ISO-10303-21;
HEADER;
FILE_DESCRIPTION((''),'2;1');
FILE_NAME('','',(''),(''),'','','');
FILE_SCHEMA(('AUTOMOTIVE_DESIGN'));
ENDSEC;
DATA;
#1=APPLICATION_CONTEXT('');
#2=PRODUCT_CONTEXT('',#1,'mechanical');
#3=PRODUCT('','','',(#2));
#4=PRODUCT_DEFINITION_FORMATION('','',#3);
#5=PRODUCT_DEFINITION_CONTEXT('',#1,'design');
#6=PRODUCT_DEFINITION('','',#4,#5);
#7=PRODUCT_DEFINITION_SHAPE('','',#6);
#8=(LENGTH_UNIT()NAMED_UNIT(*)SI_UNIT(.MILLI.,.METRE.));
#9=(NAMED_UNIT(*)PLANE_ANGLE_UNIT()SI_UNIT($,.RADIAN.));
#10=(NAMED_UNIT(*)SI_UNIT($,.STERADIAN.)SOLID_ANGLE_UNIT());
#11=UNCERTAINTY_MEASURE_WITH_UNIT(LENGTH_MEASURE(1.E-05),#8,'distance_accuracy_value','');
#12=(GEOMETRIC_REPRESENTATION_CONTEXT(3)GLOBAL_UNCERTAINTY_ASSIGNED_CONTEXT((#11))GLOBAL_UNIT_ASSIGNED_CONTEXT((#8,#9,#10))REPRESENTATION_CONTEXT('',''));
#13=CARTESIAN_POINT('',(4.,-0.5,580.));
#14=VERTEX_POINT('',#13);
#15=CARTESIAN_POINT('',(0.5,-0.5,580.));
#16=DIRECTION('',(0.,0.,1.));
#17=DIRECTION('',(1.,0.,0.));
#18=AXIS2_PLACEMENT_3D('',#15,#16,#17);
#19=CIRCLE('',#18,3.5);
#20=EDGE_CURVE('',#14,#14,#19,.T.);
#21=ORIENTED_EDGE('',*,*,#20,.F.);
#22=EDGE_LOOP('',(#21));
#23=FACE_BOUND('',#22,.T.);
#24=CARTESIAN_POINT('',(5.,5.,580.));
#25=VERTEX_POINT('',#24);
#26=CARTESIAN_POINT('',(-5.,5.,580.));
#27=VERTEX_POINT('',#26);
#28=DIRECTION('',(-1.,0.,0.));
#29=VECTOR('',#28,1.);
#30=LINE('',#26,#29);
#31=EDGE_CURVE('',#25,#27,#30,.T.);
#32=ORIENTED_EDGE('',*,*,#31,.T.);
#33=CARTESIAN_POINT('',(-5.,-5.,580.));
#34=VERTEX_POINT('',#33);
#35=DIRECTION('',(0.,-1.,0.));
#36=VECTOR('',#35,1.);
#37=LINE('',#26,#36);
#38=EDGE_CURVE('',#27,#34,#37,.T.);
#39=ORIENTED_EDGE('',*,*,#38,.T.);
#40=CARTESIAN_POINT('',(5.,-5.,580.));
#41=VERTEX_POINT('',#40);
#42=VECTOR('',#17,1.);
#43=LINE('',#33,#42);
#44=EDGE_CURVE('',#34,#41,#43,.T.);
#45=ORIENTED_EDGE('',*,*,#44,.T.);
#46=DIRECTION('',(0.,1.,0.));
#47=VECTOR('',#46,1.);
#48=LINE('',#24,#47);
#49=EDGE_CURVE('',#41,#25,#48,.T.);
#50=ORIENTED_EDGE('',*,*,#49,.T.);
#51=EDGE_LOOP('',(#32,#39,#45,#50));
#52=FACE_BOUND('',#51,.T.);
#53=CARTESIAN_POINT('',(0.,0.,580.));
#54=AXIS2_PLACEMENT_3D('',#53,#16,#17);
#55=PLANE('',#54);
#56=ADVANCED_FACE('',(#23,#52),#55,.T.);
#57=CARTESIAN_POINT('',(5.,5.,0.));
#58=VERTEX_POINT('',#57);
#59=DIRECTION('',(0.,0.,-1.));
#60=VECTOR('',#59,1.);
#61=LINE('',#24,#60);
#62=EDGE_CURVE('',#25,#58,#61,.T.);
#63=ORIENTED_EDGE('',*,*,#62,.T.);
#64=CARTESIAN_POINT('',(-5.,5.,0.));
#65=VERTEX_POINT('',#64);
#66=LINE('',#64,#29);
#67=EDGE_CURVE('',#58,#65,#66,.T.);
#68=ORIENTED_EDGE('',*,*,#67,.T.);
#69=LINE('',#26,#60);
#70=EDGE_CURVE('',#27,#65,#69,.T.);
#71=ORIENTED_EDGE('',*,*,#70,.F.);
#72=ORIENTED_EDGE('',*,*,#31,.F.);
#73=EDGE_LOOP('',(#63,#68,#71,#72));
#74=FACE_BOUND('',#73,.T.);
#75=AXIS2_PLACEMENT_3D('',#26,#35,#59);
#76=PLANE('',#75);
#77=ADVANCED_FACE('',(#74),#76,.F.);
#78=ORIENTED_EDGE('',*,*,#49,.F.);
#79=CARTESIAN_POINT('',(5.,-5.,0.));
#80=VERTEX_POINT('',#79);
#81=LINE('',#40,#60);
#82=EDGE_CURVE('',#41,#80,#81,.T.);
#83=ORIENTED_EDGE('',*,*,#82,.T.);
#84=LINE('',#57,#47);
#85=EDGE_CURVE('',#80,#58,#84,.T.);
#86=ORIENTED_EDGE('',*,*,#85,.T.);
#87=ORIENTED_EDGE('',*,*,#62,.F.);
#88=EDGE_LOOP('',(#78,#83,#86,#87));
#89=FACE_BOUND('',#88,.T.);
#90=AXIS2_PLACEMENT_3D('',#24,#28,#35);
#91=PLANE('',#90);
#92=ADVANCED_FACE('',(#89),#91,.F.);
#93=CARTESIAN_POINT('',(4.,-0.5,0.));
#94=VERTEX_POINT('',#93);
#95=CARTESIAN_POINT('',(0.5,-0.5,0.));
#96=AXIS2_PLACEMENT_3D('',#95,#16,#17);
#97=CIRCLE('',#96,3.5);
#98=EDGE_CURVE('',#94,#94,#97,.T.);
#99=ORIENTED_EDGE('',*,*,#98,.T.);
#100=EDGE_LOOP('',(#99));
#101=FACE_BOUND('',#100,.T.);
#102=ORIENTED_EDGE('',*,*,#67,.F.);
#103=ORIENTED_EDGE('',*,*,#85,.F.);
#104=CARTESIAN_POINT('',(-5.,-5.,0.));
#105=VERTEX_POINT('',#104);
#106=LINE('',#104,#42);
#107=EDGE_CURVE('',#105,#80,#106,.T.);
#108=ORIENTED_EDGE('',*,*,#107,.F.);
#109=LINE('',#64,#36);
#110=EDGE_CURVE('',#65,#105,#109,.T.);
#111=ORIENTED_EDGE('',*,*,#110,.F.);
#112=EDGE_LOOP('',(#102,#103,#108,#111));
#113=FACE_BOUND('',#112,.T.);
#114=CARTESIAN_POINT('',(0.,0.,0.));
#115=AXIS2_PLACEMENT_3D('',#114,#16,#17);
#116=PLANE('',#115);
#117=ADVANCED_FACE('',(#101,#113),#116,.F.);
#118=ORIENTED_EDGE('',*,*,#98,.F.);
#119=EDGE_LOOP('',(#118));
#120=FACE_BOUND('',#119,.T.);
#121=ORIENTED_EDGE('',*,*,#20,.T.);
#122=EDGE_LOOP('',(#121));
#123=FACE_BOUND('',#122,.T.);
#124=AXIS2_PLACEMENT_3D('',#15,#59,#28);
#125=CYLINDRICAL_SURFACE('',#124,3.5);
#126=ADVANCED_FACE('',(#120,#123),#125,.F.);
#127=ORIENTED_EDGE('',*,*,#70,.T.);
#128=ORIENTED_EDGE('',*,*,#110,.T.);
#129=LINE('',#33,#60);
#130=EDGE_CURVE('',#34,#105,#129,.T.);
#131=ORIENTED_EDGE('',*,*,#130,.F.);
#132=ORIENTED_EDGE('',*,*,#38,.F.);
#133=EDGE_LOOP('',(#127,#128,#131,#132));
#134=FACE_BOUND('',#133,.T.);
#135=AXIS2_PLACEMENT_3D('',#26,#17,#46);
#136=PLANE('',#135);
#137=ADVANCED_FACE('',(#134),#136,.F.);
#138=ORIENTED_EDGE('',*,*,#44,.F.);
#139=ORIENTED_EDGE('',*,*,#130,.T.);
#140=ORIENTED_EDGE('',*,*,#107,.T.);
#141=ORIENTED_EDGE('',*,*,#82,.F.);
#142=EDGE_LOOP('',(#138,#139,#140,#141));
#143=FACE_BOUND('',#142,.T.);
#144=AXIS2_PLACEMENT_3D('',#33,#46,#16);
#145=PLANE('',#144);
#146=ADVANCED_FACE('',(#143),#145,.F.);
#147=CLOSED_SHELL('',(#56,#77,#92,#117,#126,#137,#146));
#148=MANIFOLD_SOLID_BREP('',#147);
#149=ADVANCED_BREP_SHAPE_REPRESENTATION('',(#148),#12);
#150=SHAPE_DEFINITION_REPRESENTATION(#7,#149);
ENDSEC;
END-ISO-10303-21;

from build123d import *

# Parameters (mm, degrees)
SKETCH_1_W      = 10
SKETCH_1_H      = 10
SKETCH_1_R      = 3.5
EXTRUDE_1_DEPTH = 580


with BuildPart() as part:
    # 스케치1 → 보스-돌출1 (new body)
    with BuildSketch(Plane.XY):
        Rectangle(SKETCH_1_W, SKETCH_1_H)
        with Locations((0.5, -0.5)):
            Circle(SKETCH_1_R, mode=Mode.SUBTRACT)
    extrude(amount=EXTRUDE_1_DEPTH)


solid = part.part
